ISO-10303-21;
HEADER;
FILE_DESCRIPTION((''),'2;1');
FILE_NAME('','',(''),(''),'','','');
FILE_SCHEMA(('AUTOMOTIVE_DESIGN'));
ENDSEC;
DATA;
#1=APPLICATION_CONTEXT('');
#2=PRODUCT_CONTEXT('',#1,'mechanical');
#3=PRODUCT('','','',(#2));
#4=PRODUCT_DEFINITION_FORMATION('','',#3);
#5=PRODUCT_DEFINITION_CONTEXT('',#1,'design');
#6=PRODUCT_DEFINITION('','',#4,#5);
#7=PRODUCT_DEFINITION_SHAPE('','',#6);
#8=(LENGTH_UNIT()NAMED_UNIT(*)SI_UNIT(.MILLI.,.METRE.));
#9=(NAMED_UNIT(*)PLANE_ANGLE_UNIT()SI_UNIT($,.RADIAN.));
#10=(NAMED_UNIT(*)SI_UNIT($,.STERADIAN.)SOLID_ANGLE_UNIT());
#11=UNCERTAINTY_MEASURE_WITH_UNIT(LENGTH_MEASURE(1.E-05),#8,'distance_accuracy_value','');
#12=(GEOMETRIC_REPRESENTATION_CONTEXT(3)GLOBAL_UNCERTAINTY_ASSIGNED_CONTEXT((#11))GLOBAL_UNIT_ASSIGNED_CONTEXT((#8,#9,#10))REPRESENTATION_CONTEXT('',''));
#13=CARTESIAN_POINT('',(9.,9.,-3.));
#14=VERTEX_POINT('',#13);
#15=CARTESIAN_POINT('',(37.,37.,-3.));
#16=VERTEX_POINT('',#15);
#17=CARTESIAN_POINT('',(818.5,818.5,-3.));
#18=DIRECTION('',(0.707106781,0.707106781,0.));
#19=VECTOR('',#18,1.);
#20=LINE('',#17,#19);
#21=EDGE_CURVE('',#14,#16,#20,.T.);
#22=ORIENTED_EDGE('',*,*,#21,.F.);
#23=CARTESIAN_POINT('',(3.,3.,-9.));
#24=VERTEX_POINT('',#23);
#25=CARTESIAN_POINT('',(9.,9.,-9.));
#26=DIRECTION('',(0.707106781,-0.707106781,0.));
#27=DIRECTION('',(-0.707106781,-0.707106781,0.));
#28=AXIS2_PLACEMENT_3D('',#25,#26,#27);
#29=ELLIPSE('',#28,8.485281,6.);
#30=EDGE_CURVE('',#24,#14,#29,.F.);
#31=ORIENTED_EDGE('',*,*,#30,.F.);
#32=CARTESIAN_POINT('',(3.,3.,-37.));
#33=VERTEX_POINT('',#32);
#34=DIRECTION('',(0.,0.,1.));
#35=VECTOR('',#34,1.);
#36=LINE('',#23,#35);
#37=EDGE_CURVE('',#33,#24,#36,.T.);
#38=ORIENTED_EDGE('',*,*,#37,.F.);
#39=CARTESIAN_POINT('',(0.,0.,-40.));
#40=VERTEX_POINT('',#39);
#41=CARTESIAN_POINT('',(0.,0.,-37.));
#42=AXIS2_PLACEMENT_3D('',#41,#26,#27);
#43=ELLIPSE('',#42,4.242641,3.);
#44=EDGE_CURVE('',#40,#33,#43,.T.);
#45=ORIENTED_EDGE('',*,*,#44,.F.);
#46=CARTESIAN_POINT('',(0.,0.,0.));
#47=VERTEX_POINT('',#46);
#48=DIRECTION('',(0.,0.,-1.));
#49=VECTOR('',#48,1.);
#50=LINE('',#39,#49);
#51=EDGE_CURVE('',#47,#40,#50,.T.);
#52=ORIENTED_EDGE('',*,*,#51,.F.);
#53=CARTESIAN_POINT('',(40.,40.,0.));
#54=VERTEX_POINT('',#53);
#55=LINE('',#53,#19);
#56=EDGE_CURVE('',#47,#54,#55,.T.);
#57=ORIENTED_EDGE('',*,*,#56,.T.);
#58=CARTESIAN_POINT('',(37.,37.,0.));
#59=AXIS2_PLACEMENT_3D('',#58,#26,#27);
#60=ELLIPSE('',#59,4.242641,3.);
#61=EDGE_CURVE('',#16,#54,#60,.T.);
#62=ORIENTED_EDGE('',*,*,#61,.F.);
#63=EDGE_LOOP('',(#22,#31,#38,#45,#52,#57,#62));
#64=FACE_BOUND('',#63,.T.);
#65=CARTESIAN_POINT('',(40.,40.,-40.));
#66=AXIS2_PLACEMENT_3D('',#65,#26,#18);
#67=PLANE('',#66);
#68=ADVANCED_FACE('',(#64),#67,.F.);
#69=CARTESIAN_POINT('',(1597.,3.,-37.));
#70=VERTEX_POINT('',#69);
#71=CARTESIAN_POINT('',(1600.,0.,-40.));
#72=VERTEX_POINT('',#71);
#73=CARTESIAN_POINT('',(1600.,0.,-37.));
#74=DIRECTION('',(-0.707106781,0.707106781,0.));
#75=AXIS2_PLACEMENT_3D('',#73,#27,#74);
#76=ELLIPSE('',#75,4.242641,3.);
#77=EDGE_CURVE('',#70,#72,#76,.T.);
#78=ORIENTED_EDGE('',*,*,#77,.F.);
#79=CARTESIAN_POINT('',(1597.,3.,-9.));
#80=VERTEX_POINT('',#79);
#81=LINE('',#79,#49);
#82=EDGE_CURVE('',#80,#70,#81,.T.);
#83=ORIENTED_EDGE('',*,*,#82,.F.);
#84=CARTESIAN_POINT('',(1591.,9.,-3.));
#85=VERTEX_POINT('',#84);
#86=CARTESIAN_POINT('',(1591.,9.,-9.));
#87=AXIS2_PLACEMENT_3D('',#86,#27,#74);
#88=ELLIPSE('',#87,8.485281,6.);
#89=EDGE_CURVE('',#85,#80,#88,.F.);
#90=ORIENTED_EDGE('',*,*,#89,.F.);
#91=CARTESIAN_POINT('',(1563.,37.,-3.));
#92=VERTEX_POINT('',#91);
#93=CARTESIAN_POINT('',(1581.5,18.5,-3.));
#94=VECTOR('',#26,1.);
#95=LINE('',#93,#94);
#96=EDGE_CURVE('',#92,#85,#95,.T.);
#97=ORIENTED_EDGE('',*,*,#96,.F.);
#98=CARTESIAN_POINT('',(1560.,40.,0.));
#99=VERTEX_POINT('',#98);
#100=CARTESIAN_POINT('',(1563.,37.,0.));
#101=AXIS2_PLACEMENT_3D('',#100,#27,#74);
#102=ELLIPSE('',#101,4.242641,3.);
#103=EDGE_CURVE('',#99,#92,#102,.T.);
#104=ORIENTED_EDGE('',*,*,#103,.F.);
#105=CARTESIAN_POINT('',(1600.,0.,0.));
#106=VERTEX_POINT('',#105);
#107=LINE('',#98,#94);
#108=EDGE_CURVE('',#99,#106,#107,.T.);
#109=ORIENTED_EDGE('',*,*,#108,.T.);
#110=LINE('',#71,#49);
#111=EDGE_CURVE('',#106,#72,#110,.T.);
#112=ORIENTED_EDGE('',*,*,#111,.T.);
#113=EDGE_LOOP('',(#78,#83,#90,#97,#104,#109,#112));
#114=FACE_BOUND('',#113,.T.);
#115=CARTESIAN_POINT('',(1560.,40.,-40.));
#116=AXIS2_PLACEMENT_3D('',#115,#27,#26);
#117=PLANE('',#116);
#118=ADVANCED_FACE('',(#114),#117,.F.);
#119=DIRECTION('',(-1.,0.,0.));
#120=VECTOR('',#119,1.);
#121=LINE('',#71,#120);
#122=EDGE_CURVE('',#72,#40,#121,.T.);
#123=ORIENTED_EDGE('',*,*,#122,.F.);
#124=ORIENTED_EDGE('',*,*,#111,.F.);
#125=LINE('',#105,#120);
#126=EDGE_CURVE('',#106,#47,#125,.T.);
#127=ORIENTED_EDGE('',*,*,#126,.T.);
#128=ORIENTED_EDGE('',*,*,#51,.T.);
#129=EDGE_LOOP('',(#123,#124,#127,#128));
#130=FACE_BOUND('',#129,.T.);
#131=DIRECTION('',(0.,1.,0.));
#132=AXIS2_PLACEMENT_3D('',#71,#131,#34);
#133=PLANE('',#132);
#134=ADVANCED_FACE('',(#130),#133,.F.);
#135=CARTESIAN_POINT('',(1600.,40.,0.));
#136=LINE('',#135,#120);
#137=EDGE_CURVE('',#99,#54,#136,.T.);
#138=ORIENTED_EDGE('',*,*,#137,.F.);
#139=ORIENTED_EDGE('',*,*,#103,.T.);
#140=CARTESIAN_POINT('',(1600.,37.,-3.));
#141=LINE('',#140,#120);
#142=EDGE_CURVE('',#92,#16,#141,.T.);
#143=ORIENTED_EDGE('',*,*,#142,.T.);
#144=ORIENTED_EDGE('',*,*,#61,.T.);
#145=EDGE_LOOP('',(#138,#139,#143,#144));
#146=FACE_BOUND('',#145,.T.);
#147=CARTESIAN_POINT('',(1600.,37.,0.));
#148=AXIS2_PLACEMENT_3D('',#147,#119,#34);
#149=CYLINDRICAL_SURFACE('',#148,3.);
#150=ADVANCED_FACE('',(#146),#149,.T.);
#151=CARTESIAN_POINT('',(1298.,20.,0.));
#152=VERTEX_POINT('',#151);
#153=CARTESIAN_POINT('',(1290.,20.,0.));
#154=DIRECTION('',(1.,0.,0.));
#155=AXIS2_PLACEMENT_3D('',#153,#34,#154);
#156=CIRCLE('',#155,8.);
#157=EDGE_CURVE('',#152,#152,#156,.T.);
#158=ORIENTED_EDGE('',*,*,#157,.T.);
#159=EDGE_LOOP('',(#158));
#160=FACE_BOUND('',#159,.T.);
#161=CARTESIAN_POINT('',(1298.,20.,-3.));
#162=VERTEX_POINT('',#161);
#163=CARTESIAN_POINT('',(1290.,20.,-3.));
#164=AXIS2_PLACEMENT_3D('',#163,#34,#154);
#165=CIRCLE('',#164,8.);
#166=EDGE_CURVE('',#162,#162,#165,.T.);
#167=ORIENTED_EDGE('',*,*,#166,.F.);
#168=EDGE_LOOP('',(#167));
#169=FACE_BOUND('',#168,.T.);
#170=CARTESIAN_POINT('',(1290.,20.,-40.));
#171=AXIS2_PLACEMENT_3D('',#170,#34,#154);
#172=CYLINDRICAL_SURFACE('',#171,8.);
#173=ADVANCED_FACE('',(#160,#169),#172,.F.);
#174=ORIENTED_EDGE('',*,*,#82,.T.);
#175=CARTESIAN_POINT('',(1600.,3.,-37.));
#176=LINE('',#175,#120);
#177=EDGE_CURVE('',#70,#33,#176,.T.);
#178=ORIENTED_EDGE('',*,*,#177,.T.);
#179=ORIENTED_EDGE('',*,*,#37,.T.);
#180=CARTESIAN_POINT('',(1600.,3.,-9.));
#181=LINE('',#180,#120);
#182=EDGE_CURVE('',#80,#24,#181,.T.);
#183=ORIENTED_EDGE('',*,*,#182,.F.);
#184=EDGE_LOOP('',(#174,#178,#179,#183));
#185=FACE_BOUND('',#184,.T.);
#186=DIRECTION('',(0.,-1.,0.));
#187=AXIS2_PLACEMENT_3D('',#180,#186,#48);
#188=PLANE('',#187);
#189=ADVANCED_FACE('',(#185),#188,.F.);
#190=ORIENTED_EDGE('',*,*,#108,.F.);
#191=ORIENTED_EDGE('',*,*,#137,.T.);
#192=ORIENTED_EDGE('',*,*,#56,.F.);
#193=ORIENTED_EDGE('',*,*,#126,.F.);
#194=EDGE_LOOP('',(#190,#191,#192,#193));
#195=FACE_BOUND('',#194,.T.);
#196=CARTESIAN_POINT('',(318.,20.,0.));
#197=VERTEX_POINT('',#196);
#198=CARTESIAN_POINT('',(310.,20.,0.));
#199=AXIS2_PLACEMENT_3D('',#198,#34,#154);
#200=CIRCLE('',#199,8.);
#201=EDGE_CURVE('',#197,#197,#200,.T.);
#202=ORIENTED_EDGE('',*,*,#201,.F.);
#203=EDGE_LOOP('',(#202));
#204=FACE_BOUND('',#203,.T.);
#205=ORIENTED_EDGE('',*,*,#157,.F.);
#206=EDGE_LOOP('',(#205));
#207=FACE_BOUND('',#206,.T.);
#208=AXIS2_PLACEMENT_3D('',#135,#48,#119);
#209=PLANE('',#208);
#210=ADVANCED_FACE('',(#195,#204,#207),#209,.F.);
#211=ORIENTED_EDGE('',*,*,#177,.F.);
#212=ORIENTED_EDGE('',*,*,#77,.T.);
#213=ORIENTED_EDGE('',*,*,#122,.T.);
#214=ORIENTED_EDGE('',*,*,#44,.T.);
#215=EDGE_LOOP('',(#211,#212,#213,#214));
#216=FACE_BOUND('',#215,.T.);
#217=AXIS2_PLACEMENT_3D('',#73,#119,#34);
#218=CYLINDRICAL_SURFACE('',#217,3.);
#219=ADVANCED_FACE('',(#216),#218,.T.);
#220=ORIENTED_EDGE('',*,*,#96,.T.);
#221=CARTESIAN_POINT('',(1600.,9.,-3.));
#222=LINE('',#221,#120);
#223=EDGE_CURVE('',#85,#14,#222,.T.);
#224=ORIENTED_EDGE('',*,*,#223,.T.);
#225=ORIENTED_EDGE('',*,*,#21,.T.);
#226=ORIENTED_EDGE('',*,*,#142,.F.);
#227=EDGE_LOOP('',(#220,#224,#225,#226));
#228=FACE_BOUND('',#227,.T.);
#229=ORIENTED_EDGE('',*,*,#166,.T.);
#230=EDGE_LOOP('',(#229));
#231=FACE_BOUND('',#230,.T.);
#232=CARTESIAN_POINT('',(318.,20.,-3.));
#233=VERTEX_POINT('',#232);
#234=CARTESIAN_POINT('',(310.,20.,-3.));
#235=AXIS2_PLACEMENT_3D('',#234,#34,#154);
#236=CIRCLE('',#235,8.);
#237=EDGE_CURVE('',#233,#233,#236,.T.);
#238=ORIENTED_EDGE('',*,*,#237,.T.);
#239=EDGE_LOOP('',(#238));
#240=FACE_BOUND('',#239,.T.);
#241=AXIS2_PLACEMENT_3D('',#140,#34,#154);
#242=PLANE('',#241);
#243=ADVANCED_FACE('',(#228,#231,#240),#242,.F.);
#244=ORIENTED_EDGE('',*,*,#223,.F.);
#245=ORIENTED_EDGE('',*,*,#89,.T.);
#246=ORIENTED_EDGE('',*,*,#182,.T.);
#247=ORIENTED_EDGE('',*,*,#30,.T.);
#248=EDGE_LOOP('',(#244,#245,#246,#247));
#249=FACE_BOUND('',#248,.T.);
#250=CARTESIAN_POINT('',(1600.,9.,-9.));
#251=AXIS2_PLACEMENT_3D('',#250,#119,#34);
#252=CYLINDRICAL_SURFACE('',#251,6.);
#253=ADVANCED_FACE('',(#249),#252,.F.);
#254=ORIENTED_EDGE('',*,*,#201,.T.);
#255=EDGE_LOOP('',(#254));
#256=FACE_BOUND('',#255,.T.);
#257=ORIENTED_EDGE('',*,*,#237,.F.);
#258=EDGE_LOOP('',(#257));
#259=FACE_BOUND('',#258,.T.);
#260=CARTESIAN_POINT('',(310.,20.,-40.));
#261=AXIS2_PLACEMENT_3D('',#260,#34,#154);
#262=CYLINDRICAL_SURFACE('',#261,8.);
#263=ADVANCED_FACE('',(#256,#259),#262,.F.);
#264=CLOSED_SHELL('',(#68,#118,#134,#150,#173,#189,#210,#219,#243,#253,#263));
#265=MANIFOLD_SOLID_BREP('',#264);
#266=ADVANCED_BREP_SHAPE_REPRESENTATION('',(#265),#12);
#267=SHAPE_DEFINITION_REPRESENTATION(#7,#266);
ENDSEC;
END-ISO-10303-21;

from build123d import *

# Parameters (mm, degrees)
L_ANGLE_EQUAL_40X40X3_5_DEPTH = 1600
SKETCH14_R                    = 8
CUT_EXTRUDE1_DEPTH            = 1601.999687695


with BuildPart() as part:
    # Sketch13 → L angle (equal) 40X40X3(5) (new body)
    with BuildSketch(Plane(origin=(0, 0, 0), x_dir=(0, 0, -1), z_dir=(1, 0, 0))):
        with BuildLine():
            Line((0, 40), (0, 0))
            Line((0, 0), (40, 0))
            ThreePointArc((40, 0), (39.121320344, 2.121320344), (37, 3))
            Line((37, 3), (9, 3))
            ThreePointArc((9, 3), (4.757359313, 4.757359313), (3, 9))
            Line((3, 9), (3, 37))
            ThreePointArc((3, 37), (2.121320344, 39.121320344), (0, 40))
        make_face()
    extrude(amount=L_ANGLE_EQUAL_40X40X3_5_DEPTH)

    # Sketch14 → Cut-Extrude1 (cut, through all)
    with BuildSketch(Plane.XY):
        with Locations((310, 20)):
            Circle(SKETCH14_R)
        with Locations((1290, 20)):
            Circle(SKETCH14_R)
        Polygon((1600, 0), (1600, 40), (1560, 40), align=None)
        Polygon((0, 40), (0, 0), (40, 40), align=None)
    extrude(amount=-CUT_EXTRUDE1_DEPTH, mode=Mode.SUBTRACT)


solid = part.part
